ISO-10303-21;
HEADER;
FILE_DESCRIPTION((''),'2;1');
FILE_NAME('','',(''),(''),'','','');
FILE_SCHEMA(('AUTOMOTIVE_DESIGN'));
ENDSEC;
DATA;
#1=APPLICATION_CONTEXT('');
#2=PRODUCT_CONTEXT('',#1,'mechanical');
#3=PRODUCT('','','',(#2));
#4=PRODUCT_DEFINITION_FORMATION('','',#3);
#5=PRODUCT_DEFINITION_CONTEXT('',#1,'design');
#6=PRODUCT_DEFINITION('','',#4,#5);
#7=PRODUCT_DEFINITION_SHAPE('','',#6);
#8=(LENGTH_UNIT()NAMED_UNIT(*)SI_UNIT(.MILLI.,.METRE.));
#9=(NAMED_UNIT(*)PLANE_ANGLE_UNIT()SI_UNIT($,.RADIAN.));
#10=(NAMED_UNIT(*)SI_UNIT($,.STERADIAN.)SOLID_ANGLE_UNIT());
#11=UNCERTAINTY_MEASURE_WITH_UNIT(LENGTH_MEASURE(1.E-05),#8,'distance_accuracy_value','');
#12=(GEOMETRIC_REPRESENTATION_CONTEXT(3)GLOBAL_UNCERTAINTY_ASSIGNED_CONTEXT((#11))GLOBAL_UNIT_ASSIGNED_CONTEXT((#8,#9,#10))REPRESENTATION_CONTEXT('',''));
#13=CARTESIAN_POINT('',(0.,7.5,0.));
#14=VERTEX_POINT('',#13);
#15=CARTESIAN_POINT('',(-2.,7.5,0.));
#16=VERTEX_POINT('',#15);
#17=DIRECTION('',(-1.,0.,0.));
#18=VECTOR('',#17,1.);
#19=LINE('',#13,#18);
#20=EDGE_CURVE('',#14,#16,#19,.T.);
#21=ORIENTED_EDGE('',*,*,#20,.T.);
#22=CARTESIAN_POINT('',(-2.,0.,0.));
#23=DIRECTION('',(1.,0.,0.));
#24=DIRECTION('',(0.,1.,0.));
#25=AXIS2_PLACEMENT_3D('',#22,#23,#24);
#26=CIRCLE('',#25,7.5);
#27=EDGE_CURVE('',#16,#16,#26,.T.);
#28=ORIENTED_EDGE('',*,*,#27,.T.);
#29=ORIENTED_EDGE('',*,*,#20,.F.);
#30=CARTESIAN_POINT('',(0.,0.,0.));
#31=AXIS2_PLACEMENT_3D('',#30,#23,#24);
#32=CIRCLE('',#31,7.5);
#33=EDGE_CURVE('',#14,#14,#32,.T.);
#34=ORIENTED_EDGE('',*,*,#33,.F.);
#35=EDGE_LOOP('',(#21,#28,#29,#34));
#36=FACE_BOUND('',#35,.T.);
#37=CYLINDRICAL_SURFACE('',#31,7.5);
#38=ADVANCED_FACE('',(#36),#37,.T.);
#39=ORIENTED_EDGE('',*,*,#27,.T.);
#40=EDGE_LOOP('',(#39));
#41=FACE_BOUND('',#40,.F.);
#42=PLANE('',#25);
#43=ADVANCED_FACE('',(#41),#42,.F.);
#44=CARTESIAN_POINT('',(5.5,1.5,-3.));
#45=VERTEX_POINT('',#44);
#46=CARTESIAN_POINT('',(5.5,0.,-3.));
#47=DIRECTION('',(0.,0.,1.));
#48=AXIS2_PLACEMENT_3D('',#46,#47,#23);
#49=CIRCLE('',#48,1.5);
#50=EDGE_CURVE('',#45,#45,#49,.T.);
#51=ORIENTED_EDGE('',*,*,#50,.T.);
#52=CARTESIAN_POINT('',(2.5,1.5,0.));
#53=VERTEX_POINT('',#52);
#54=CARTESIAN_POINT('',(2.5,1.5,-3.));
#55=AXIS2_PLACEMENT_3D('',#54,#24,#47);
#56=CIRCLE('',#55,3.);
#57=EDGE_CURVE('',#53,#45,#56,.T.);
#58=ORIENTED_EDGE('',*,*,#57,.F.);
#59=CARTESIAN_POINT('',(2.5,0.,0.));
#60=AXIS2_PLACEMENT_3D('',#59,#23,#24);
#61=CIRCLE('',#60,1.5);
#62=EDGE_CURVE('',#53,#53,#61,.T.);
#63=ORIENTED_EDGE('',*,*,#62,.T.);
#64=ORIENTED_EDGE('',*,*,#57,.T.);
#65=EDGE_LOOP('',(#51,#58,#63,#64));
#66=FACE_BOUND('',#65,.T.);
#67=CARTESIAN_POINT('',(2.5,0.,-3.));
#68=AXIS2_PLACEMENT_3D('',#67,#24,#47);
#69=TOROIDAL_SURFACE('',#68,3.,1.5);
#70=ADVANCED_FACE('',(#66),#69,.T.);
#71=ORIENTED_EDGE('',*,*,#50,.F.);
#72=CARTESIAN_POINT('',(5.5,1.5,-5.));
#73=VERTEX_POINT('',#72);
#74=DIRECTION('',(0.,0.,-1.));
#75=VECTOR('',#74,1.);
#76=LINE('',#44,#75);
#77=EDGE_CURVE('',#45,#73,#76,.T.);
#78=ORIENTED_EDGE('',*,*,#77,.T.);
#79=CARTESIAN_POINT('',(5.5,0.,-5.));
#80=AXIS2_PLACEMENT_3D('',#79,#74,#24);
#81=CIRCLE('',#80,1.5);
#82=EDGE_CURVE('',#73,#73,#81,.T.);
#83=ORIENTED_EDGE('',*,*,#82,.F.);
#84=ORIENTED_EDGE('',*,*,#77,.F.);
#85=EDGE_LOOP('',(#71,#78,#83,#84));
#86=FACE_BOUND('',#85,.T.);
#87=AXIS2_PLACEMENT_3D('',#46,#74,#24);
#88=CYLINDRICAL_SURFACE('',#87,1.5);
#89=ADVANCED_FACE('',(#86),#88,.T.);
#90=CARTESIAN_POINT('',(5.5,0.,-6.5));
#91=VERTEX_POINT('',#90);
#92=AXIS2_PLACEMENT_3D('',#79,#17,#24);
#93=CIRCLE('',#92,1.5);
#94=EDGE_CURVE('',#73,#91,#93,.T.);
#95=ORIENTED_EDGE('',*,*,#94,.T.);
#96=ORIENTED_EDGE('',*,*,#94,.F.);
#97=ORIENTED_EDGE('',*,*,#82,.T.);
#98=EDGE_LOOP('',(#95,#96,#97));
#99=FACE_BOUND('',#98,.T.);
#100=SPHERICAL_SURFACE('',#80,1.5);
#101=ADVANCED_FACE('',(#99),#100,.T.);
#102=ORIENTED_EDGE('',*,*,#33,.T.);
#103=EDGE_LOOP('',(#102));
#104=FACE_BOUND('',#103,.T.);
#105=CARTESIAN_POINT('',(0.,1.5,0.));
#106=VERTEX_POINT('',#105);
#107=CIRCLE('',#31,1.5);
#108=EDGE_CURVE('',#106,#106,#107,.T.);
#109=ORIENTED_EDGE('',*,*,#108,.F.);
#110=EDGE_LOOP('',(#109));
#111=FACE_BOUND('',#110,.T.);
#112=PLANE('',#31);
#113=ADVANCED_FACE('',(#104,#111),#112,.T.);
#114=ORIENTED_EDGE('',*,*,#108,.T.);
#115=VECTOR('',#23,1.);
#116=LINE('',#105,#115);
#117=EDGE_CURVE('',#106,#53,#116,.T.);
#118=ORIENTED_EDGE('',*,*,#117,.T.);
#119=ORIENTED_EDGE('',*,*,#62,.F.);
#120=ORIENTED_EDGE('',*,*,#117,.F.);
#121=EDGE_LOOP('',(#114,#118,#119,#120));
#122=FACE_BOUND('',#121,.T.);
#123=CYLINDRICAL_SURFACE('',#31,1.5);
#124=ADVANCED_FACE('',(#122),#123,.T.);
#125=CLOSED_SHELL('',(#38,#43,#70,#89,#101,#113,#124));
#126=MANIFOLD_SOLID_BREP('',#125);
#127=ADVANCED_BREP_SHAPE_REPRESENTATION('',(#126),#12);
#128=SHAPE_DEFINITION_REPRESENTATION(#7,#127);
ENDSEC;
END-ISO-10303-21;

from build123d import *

# Parameters (mm, degrees)
F0_R     = 7.5
F1_DEPTH = 2
F3_R     = 1.5
F5_R     = 1.5


with BuildPart() as f1:
    # F0 (on Right) → F1 (new body)
    with BuildSketch(Plane.YZ):
        Circle(F0_R)
    extrude(amount=-F1_DEPTH)

    # F4: sweep along a path in F2
    with BuildLine(Plane.XZ) as f4_path:
        Line((0, 0), (2.5, 0))
        ThreePointArc((2.5, 0), (4.6213203436, -0.8786796564), (5.5, -3))
        Line((5.5, -3), (5.5, -6.5))
    # F3 (on Right) → F4 (sweep)
    with BuildSketch(Plane.YZ):
        Circle(F3_R)
    sweep(path=f4_path.line)

    # F5
    f5_edges = [f1.edges().sort_by_distance(p)[0] for p in [
        (5.5, -1.5, -6.5),
    ]]
    fillet(f5_edges, radius=F5_R)


solid = f1.part
